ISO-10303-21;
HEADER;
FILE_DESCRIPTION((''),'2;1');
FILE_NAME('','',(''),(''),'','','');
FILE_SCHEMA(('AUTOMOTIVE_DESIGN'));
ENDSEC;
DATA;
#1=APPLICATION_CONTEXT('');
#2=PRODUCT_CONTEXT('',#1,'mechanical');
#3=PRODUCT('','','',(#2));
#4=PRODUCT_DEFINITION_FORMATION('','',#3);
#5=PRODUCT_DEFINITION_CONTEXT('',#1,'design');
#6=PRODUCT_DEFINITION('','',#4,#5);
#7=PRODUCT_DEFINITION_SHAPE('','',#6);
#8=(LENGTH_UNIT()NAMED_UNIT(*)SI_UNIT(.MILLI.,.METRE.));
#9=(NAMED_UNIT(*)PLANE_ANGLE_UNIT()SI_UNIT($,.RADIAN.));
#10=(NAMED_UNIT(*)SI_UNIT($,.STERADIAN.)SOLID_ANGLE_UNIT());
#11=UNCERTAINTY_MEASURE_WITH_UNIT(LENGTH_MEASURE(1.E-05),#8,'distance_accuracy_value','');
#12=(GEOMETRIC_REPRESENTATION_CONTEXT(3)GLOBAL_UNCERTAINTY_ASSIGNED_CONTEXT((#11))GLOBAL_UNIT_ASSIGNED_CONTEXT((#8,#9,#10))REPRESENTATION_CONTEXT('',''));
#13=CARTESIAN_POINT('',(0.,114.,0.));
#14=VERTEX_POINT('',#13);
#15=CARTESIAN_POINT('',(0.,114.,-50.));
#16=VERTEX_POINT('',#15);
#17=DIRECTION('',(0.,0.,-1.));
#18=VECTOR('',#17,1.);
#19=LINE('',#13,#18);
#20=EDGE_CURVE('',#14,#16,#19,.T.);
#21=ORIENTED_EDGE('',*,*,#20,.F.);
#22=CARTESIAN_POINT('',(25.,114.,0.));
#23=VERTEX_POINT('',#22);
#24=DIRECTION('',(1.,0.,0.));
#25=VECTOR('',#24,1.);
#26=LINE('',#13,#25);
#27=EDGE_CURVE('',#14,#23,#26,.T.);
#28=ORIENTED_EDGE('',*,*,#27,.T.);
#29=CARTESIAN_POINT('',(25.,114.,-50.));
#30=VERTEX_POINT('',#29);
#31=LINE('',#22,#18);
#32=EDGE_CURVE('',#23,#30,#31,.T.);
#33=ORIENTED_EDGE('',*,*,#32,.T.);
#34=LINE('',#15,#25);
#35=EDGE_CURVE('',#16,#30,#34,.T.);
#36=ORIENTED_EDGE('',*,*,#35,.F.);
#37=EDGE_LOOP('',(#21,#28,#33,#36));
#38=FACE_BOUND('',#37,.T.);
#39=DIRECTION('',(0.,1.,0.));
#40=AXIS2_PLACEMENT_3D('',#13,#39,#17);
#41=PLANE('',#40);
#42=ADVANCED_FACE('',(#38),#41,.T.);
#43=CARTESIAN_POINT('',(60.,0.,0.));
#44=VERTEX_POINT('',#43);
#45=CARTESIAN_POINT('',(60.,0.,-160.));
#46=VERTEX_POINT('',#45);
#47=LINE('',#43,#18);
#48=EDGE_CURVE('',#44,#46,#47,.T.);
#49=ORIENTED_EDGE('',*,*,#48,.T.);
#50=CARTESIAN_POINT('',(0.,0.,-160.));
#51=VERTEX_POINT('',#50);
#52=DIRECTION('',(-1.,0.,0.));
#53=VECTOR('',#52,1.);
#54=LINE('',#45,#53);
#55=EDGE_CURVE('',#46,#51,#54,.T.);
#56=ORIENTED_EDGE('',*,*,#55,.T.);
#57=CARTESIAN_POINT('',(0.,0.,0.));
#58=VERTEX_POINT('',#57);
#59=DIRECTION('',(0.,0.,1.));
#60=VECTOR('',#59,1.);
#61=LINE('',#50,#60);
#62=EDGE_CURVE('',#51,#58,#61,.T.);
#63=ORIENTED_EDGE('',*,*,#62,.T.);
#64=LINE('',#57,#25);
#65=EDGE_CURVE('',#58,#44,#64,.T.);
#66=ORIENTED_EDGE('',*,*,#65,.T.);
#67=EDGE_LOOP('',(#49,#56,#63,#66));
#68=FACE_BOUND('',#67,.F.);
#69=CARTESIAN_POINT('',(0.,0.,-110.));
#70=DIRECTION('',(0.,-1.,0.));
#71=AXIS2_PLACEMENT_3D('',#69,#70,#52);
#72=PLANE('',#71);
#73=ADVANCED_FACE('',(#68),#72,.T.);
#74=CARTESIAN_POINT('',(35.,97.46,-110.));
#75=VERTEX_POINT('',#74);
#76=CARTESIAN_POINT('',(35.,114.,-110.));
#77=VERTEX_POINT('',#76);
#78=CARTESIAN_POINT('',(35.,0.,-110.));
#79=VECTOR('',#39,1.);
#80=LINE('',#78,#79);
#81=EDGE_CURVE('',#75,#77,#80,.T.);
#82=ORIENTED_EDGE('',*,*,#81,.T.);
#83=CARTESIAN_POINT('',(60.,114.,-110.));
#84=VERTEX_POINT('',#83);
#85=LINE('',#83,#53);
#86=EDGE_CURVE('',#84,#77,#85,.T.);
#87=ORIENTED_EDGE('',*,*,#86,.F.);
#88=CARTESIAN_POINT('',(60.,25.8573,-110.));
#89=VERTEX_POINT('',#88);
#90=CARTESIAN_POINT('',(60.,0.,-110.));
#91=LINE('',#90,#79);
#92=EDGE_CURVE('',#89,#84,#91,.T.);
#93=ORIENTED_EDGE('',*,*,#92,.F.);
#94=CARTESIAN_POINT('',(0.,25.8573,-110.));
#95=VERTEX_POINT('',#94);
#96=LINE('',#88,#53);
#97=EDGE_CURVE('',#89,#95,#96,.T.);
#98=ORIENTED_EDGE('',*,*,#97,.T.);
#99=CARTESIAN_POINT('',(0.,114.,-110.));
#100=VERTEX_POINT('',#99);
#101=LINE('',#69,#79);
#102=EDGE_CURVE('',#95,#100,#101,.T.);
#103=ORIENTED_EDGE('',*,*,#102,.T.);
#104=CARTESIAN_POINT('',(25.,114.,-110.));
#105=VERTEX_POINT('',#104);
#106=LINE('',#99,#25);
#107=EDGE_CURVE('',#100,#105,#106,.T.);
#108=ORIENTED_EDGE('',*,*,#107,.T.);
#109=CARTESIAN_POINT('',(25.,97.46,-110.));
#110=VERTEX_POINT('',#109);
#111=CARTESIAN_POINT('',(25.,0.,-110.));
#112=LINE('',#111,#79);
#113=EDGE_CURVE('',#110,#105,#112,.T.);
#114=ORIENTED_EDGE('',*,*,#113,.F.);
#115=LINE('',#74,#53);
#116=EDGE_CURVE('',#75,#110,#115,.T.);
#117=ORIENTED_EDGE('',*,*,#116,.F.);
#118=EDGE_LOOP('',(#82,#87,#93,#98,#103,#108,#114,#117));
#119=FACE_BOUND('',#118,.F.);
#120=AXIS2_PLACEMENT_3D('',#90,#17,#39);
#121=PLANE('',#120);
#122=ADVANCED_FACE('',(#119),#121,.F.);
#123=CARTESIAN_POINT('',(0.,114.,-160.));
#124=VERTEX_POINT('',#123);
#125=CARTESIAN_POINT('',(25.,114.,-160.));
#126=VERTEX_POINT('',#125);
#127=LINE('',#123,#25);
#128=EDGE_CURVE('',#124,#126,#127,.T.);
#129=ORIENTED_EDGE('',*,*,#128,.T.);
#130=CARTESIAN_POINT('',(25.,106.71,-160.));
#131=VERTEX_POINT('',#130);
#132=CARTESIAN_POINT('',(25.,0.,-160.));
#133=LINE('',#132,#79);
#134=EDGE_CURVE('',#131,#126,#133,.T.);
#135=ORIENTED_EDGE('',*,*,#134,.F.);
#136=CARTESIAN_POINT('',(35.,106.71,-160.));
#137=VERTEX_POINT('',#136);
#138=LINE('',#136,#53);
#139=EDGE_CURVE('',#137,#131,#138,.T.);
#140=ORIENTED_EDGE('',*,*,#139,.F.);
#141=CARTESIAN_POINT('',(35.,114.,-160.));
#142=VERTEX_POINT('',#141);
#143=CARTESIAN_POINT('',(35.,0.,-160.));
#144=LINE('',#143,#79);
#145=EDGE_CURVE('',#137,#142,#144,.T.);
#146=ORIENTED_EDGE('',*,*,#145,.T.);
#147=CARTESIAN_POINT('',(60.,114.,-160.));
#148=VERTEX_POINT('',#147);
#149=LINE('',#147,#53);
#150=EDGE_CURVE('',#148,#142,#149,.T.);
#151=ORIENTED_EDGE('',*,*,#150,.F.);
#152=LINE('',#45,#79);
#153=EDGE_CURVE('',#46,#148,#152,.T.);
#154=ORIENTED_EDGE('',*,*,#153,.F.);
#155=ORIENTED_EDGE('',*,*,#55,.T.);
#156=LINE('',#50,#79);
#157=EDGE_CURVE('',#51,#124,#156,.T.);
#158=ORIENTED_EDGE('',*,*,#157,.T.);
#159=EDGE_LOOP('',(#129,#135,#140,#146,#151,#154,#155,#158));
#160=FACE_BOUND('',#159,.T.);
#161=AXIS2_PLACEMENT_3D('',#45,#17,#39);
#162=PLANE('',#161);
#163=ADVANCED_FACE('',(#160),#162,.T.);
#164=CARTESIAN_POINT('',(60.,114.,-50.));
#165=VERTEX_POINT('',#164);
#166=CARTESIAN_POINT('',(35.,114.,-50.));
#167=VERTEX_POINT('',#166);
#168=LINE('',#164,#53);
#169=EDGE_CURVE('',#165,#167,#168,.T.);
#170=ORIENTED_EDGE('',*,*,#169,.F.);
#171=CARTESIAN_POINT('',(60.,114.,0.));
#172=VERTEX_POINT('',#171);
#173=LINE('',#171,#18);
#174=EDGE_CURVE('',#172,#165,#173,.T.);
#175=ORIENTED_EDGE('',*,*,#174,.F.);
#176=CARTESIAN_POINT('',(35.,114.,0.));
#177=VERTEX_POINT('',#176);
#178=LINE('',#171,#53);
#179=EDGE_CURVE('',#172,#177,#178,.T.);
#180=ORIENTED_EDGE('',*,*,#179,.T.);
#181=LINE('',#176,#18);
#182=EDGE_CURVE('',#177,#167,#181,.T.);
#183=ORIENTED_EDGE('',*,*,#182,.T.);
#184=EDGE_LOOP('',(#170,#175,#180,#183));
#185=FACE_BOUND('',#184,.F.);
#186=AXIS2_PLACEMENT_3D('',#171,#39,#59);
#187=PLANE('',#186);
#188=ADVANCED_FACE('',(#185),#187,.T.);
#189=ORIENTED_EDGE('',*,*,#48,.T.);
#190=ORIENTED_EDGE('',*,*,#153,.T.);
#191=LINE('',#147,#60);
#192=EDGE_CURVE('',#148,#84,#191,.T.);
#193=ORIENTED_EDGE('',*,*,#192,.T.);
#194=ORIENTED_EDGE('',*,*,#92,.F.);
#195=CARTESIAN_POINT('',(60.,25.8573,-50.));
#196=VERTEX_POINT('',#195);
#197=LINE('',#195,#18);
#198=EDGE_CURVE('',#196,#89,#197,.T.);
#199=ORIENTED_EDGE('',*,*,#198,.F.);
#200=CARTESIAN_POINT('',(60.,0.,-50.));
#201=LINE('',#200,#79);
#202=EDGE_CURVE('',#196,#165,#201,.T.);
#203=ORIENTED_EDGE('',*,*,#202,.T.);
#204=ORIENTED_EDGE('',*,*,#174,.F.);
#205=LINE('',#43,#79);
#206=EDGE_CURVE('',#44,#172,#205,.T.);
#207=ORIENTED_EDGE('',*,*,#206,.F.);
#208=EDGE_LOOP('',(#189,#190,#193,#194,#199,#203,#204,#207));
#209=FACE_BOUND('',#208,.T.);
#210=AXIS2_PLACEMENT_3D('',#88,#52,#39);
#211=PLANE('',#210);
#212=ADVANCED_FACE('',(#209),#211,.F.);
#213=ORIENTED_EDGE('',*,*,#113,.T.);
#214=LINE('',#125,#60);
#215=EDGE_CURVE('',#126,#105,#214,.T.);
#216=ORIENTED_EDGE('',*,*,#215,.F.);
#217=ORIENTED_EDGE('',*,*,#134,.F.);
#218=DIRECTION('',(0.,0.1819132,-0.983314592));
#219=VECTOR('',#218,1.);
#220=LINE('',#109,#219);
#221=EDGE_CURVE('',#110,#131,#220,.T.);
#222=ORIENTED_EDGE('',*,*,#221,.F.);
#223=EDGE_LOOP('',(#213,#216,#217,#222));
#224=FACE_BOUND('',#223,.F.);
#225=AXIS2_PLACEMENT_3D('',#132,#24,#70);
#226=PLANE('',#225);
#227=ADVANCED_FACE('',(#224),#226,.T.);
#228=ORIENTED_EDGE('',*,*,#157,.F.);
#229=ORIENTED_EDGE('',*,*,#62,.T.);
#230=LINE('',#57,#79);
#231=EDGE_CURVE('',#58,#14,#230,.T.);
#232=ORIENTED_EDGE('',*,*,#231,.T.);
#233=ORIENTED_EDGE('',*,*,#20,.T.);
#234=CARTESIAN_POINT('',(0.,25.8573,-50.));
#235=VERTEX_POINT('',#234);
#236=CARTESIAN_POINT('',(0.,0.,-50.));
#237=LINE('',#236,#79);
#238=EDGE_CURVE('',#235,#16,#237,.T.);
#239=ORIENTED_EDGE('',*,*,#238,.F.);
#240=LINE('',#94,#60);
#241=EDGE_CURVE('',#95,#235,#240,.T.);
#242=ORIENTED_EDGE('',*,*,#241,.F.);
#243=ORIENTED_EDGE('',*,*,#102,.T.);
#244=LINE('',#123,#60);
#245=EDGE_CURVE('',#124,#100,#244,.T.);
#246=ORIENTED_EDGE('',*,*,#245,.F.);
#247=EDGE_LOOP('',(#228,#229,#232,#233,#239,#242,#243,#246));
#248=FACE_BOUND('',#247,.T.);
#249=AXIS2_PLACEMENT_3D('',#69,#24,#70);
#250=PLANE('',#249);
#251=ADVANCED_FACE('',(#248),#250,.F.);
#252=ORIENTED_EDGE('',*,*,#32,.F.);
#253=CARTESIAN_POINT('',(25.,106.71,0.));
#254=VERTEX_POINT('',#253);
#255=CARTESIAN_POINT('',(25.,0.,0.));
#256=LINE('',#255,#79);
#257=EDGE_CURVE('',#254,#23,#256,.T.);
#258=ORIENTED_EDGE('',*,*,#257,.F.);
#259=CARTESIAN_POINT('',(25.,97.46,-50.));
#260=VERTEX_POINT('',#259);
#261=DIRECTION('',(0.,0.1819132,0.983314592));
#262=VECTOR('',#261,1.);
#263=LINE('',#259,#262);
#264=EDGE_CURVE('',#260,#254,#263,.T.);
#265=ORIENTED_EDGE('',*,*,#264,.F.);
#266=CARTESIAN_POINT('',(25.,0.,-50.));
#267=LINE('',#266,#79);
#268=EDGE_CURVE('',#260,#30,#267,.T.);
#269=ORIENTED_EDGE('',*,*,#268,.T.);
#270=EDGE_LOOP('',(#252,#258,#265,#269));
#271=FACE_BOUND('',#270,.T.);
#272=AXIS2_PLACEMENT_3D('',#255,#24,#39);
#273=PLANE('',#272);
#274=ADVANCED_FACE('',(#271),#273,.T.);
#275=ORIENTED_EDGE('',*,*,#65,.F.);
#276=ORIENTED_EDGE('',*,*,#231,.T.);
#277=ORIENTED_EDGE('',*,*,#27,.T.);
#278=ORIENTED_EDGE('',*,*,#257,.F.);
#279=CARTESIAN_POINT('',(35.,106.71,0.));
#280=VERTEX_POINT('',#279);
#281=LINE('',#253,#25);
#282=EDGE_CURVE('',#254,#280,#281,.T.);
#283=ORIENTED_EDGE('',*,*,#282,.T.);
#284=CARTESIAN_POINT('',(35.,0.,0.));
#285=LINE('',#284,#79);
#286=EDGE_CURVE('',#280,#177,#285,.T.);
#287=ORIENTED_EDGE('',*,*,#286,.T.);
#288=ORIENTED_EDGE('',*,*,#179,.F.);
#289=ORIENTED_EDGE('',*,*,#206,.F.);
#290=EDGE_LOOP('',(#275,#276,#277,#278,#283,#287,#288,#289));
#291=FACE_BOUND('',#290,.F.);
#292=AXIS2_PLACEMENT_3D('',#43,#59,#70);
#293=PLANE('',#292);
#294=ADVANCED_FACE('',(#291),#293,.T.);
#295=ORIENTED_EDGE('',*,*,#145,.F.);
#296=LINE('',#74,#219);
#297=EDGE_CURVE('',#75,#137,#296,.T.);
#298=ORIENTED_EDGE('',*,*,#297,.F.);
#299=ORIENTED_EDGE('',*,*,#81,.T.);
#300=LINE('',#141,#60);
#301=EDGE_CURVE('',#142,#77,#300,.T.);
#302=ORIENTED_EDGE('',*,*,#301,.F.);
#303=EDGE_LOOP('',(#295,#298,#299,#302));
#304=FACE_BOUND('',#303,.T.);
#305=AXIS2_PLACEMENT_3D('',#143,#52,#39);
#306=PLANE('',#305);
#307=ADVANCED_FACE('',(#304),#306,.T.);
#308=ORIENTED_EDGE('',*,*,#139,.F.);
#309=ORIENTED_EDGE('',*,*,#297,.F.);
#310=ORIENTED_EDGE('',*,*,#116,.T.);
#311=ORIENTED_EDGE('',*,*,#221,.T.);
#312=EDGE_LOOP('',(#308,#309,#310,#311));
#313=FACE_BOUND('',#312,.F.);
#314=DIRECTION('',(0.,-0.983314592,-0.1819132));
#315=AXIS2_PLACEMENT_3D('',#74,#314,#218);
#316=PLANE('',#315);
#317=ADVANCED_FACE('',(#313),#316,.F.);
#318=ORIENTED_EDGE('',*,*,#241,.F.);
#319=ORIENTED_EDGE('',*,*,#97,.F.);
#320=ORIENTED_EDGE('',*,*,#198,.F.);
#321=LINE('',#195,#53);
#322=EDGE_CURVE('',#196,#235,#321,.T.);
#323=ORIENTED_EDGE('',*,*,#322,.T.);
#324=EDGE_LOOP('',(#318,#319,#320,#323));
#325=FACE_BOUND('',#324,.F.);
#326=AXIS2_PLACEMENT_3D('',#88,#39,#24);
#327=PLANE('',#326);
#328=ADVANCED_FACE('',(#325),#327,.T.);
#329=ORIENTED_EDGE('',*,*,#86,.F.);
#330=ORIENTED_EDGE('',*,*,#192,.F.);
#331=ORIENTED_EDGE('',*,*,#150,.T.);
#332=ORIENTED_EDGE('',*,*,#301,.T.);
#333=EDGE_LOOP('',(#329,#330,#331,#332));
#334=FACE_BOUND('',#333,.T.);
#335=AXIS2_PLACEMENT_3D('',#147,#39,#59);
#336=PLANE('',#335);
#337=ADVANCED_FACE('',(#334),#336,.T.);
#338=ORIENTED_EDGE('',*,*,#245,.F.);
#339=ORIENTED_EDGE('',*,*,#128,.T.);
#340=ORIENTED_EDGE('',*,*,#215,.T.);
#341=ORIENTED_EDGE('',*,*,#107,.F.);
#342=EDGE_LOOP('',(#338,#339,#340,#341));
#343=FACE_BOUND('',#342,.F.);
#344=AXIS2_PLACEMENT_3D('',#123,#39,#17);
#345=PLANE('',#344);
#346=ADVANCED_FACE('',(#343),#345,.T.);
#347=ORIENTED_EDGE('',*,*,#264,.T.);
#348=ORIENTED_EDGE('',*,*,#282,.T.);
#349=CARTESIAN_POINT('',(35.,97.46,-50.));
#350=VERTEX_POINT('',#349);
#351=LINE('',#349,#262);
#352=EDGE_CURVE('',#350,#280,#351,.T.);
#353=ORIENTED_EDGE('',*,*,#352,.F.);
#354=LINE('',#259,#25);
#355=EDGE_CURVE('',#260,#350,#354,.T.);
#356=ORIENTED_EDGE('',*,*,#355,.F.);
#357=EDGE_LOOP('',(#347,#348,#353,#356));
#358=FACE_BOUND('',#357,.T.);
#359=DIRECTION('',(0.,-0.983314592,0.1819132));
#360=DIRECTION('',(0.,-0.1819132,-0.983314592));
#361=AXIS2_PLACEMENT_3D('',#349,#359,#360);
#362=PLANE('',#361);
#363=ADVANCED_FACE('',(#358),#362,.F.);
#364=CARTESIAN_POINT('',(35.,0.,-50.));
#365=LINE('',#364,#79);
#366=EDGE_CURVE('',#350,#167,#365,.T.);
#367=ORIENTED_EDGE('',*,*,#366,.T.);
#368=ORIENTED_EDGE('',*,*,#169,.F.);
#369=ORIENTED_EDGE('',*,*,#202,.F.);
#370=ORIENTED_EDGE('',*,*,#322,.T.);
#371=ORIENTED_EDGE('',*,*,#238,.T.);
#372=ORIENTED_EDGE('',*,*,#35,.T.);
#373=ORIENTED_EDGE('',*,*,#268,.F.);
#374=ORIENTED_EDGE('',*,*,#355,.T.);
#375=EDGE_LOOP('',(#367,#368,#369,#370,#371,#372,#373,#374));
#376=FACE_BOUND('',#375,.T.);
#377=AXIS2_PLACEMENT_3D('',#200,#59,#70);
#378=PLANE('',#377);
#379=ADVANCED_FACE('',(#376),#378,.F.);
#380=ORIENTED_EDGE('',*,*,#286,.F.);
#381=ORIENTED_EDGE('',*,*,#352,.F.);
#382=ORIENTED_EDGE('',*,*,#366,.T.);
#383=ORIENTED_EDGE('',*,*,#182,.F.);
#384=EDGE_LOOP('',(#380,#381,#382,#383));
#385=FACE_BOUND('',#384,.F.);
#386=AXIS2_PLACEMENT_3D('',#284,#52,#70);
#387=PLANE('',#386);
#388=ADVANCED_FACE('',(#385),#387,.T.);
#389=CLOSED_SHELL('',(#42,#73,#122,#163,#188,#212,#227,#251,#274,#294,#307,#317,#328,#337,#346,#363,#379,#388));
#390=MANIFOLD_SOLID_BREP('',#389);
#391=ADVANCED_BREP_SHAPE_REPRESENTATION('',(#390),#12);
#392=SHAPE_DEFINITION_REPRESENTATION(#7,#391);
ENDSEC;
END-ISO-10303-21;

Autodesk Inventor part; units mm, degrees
ref_plane "YZ Plane" through (0, 0, 0) normal (1, 0, 0) x (0, 1, 0)
ref_plane "XZ Plane" through (0, 0, 0) normal (0, 1, 0) x (-1, 0, 0)
ref_plane "XY Plane" through (0, 0, 0) normal (0, 0, 1) x (1, 0, 0)
sketch "Sketch1" plane through (0, 0, 0) normal (1, 0, 0) x (0, 1, 0)
  line L0 (0, 0) -> (114, 0)
  line L1 (114, 0) -> (114, -50)
  line L2 (0, -50) -> (114, -50)
  line L3 (0, -50) -> (0, 0)
extrude "Extrusion1" add sketch "Sketch1" along normal blind 25
sketch "Sketch2" plane through (25, 0, 0) normal (1, 0, 0) x (0, 0, -1)
  line L0 (50, 114) -> (0, 114) projected
  line L1 (0, 114) -> (0, 79)
  line L2 (0, 114) -> (0, 0) projected
  line L3 (50, 0) -> (50, 114) projected
  line L4 (0, 79) -> (0, 106.71)
  line L5 (50, 79) -> (50, 97.46)
  line L6 (50, 97.46) -> (0, 106.71)
  line L7 (0, 0) -> (50, 0) projected
  line L8 (0, 106.71) -> (0, 0)
  line L9 (0, 0) -> (50, 0)
  line L10 (50, 0) -> (50, 97.46)
extrude "Extrusion2" add sketch "Sketch2" along normal blind 5 contours L3 L7 L2 L1 L6
mirror "Mirror1" about plane through (30, 51.2546, -24.2418) normal (1, 0, 0) of "Extrusion2", "Extrusion1"
sketch "Sketch3" plane through (0, 0, -50) normal (0, 0, -1) x (-1, 0, 0)
  line L0 (-60, 114) -> (-60, 0) projected
  line L1 (0, 0) -> (-60, 0) projected
  line L2 (-60, 0) -> (0, 0)
  line L3 (0, 0) -> (0, 25.8573)
  line L4 (0, 0) -> (0, 114) projected
  line L5 (-60, 25.8573) -> (0, 25.8573)
  line L6 (-60, 25.8573) -> (-60, 0)
extrude "Extrusion3" add sketch "Sketch3" along normal blind 30
mirror "Mirror2" about plane through (30, 12.9287, -80) normal (0, 0, -1) of "Extrusion2", "Extrusion1", "Mirror1", "Extrusion3"
properties part number "support"
